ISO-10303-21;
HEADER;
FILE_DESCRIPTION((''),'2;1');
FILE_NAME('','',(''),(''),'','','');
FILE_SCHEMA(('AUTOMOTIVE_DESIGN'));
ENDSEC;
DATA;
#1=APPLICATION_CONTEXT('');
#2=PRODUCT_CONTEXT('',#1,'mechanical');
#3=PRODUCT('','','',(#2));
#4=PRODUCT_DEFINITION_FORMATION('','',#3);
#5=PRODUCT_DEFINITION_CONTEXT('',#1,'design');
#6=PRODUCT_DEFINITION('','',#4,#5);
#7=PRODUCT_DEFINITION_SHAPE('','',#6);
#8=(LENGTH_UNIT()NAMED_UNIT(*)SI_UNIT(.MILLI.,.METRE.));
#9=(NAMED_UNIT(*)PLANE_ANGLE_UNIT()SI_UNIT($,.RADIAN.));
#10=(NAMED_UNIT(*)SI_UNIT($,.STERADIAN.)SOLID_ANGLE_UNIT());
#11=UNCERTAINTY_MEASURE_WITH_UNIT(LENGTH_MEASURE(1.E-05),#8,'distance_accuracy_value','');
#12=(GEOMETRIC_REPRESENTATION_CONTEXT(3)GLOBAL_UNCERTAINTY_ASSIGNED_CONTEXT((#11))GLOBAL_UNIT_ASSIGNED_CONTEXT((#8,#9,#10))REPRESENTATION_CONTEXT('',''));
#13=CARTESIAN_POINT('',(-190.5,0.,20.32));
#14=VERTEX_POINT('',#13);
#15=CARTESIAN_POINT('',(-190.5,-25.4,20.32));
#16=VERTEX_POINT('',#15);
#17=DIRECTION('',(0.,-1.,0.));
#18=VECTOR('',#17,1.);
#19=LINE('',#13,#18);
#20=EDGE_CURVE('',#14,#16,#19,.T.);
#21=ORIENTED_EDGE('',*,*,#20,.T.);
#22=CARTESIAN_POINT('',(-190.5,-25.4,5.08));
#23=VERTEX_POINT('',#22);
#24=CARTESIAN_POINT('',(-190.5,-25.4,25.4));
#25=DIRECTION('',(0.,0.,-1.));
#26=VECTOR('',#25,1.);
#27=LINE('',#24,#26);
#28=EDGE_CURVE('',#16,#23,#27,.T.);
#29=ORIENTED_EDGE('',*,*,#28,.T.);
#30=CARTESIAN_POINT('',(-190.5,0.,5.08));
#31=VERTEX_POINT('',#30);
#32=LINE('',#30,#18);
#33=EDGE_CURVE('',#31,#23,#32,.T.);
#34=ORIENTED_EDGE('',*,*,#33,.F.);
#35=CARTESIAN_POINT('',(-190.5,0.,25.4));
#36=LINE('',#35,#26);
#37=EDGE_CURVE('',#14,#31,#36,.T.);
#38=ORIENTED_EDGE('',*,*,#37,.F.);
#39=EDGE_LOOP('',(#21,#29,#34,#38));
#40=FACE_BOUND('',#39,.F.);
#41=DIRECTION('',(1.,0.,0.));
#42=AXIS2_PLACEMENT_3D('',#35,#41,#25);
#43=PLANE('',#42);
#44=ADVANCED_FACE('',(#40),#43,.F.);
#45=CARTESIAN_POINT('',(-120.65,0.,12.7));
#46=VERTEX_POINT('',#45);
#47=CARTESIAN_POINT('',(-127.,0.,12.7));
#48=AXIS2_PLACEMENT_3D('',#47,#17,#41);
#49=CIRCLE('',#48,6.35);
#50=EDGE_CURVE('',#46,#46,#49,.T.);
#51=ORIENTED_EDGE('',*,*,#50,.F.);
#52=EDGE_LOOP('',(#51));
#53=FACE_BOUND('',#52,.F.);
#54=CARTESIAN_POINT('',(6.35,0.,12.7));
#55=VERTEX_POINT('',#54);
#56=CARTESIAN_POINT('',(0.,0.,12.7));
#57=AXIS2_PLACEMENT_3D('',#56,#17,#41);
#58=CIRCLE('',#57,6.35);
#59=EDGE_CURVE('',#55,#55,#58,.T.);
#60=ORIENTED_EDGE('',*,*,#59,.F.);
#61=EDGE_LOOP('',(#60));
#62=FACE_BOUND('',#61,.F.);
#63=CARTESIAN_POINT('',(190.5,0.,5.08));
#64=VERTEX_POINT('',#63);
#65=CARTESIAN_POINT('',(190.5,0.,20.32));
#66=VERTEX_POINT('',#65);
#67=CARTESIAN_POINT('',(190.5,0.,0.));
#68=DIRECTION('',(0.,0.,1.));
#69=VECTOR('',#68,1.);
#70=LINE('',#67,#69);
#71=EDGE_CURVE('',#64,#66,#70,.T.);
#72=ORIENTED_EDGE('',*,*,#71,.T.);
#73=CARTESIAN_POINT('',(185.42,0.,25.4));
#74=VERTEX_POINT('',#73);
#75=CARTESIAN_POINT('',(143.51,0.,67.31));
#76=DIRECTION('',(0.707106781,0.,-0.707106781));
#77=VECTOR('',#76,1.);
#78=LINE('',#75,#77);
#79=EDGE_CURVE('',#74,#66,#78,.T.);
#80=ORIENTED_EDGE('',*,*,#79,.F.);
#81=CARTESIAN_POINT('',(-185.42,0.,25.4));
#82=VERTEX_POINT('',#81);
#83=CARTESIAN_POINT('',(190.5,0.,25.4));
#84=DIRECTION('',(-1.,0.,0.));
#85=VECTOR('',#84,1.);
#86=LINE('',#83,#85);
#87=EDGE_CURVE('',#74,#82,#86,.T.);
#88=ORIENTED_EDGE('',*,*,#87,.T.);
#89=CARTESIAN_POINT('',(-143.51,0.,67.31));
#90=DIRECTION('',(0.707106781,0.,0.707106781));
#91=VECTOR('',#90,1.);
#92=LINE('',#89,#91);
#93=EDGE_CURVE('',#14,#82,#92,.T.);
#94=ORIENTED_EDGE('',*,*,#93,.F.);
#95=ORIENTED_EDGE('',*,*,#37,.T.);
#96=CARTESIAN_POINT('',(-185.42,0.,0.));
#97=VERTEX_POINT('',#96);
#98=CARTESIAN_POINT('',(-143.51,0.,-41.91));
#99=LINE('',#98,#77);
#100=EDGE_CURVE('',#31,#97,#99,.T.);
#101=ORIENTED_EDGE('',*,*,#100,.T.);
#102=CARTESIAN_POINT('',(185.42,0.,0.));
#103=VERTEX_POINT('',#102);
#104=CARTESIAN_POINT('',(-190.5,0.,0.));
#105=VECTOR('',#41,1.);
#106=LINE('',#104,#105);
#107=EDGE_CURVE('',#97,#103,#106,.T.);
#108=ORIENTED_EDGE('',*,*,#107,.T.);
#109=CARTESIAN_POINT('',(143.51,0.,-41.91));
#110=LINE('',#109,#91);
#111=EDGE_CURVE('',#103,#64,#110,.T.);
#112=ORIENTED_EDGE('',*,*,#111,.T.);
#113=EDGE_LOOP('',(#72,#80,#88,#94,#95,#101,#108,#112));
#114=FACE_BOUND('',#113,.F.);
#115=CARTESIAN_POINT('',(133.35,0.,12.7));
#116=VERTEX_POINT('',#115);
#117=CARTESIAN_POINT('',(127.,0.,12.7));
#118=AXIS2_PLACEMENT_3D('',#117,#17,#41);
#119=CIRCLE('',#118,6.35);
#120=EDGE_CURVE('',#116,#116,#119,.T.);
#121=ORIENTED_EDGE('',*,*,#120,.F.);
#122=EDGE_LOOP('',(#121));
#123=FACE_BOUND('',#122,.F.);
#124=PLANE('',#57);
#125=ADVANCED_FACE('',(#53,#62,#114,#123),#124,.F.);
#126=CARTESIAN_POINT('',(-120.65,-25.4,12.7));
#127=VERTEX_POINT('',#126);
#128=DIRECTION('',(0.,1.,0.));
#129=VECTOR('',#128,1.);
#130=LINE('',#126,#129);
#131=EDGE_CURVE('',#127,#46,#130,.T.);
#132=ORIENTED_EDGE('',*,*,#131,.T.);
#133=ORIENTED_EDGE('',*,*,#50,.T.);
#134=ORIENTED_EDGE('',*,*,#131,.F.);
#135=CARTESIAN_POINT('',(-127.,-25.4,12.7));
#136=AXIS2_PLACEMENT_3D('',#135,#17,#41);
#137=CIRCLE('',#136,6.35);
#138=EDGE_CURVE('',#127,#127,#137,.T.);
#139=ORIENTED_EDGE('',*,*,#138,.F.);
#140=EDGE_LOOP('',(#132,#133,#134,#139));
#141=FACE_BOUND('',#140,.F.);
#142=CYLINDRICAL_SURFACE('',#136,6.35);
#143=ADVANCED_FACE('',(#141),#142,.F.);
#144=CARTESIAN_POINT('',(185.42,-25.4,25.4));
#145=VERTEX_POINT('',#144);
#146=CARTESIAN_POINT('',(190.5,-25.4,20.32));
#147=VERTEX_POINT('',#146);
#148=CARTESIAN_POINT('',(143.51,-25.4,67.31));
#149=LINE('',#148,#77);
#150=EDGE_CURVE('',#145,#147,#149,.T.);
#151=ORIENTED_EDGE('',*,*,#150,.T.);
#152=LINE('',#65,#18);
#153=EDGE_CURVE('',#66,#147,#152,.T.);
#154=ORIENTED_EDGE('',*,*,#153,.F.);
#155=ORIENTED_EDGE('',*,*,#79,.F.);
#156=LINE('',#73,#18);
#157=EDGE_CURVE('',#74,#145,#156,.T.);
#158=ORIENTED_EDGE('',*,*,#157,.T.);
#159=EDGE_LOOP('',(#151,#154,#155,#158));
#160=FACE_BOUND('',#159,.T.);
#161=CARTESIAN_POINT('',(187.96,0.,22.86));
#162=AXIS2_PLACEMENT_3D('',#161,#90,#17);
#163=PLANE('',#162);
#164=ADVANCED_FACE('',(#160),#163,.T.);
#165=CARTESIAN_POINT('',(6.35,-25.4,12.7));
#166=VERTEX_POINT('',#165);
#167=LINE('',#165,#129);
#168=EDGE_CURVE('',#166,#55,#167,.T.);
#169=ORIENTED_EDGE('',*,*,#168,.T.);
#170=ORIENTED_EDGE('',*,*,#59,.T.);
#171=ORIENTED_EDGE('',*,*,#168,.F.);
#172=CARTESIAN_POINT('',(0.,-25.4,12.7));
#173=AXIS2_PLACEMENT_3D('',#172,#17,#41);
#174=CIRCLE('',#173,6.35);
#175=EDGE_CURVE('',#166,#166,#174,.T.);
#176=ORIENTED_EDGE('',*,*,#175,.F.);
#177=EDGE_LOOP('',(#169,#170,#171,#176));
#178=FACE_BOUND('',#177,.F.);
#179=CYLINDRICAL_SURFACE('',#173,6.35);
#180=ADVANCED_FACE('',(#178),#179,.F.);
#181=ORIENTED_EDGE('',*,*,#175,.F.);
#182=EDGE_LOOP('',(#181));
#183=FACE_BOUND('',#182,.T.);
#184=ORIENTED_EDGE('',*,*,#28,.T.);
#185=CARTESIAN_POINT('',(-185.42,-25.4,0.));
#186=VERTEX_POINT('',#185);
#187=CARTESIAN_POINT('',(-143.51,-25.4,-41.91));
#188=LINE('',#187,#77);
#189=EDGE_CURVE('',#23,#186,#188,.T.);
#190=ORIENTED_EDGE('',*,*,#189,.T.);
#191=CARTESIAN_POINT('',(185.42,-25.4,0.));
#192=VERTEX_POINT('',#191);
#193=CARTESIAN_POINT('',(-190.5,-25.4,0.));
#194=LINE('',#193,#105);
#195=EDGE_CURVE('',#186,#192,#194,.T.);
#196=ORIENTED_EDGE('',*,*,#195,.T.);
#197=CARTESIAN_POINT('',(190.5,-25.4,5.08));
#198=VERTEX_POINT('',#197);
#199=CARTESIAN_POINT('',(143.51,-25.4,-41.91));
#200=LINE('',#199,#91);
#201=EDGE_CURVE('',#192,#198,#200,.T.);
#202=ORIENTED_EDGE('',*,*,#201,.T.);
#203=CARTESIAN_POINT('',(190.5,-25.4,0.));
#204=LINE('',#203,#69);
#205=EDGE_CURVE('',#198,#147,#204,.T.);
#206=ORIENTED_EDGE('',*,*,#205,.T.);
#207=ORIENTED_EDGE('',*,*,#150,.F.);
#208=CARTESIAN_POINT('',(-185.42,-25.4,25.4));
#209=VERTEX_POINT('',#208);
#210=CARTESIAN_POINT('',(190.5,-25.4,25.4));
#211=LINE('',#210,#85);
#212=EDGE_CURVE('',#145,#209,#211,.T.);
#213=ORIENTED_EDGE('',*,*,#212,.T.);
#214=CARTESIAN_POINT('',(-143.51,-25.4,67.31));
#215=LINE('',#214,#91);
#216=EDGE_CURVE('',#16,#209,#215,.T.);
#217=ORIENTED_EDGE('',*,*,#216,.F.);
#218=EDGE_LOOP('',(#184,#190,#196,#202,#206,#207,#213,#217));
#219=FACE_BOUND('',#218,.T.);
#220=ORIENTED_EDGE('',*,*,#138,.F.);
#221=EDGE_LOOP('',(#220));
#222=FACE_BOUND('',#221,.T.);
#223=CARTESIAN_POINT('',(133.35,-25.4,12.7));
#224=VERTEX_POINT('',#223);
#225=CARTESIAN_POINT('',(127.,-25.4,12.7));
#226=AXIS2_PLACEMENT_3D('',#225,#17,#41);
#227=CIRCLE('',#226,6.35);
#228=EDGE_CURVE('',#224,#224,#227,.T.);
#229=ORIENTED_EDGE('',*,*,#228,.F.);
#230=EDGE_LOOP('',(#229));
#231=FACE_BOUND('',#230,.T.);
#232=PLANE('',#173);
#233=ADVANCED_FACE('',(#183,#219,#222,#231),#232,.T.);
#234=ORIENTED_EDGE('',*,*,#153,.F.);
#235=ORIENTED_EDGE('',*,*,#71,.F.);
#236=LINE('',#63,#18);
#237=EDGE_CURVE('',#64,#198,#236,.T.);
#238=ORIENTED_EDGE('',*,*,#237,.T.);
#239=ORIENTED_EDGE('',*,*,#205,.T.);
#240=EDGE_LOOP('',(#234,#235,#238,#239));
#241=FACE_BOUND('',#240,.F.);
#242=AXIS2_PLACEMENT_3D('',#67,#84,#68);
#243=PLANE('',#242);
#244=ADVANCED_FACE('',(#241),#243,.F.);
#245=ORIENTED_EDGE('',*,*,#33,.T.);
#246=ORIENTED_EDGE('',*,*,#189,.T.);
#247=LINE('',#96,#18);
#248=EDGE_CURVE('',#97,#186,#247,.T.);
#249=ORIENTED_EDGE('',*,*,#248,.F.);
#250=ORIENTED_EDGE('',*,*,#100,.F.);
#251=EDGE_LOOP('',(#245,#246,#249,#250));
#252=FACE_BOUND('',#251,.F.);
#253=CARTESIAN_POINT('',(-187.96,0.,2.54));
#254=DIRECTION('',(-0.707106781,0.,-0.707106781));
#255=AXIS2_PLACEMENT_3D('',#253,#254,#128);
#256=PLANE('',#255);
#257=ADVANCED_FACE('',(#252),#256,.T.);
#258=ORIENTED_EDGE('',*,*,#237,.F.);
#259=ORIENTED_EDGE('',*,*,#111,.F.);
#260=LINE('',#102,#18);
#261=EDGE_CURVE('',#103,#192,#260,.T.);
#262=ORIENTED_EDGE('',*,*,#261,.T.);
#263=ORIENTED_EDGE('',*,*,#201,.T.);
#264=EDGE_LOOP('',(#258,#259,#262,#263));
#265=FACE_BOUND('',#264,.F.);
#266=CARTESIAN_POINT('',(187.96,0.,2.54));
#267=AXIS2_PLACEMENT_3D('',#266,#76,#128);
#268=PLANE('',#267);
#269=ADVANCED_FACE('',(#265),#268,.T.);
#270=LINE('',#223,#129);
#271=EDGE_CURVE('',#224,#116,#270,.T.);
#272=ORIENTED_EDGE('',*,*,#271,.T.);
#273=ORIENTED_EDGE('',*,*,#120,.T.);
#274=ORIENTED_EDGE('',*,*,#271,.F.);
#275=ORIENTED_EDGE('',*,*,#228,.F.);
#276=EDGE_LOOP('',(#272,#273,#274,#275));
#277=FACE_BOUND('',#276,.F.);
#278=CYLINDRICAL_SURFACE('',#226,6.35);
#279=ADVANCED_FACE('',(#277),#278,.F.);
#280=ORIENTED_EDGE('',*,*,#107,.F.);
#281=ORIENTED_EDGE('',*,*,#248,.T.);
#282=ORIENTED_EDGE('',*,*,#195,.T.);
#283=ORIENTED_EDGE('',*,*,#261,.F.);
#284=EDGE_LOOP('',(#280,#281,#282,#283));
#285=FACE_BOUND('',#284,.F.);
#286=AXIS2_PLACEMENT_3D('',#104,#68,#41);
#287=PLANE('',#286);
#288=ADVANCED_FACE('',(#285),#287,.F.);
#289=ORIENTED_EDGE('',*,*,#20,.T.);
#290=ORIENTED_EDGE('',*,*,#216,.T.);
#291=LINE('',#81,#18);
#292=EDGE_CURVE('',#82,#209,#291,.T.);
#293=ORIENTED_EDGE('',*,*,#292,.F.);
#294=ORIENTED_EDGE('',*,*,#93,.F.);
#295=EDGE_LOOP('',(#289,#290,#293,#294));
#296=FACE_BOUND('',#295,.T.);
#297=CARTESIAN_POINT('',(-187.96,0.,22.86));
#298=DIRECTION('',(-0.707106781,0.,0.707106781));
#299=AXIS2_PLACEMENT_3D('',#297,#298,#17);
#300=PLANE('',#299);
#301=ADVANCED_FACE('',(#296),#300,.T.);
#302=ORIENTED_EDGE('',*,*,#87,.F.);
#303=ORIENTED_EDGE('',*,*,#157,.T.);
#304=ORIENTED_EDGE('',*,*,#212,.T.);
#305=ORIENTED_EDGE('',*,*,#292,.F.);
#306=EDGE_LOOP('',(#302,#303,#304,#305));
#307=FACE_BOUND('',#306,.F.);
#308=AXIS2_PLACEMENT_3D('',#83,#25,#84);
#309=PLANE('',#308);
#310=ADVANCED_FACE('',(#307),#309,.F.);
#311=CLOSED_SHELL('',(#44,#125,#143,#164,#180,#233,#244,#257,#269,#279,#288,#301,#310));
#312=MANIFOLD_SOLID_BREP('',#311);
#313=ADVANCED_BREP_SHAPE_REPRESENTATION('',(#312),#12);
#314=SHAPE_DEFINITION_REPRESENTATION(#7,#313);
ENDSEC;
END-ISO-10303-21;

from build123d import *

# Parameters (mm, degrees)
F1_DEPTH = 25.4
F2_R     = 6.35
F3_DEPTH = 50.8
F4_SIZE  = 5.08
F5_SIZE  = 5.08


with BuildPart() as f1:
    # F0 (on Front) → F1 (new body)
    with BuildSketch(Plane.XZ):
        Polygon((-190.5, 0), (0, 0), (190.5, 0), (190.5, 25.4), (-190.5, 25.4), align=None)
    extrude(amount=F1_DEPTH)

    # F2 (on face) → F3 (cut)
    with BuildSketch(Plane.XZ.offset(25.4)):
        with Locations((-127, 12.7)):
            Circle(F2_R)
        with Locations((0, 12.7)):
            Circle(F2_R)
        with Locations((127, 12.7)):
            Circle(F2_R)
    extrude(amount=-F3_DEPTH, mode=Mode.SUBTRACT)

    # F4
    f4_edges = [f1.edges().sort_by_distance(p)[0] for p in [
        (-190.5, -12.7, 25.4),
    ]]
    chamfer(f4_edges, length=F4_SIZE)

    # F5
    f5_edges = [f1.edges().sort_by_distance(p)[0] for p in [
        (-190.5, -12.7, 0),
        (190.5, -12.7, 25.4),
        (190.5, -12.7, 0),
    ]]
    chamfer(f5_edges, length=F5_SIZE)


solid = f1.part
